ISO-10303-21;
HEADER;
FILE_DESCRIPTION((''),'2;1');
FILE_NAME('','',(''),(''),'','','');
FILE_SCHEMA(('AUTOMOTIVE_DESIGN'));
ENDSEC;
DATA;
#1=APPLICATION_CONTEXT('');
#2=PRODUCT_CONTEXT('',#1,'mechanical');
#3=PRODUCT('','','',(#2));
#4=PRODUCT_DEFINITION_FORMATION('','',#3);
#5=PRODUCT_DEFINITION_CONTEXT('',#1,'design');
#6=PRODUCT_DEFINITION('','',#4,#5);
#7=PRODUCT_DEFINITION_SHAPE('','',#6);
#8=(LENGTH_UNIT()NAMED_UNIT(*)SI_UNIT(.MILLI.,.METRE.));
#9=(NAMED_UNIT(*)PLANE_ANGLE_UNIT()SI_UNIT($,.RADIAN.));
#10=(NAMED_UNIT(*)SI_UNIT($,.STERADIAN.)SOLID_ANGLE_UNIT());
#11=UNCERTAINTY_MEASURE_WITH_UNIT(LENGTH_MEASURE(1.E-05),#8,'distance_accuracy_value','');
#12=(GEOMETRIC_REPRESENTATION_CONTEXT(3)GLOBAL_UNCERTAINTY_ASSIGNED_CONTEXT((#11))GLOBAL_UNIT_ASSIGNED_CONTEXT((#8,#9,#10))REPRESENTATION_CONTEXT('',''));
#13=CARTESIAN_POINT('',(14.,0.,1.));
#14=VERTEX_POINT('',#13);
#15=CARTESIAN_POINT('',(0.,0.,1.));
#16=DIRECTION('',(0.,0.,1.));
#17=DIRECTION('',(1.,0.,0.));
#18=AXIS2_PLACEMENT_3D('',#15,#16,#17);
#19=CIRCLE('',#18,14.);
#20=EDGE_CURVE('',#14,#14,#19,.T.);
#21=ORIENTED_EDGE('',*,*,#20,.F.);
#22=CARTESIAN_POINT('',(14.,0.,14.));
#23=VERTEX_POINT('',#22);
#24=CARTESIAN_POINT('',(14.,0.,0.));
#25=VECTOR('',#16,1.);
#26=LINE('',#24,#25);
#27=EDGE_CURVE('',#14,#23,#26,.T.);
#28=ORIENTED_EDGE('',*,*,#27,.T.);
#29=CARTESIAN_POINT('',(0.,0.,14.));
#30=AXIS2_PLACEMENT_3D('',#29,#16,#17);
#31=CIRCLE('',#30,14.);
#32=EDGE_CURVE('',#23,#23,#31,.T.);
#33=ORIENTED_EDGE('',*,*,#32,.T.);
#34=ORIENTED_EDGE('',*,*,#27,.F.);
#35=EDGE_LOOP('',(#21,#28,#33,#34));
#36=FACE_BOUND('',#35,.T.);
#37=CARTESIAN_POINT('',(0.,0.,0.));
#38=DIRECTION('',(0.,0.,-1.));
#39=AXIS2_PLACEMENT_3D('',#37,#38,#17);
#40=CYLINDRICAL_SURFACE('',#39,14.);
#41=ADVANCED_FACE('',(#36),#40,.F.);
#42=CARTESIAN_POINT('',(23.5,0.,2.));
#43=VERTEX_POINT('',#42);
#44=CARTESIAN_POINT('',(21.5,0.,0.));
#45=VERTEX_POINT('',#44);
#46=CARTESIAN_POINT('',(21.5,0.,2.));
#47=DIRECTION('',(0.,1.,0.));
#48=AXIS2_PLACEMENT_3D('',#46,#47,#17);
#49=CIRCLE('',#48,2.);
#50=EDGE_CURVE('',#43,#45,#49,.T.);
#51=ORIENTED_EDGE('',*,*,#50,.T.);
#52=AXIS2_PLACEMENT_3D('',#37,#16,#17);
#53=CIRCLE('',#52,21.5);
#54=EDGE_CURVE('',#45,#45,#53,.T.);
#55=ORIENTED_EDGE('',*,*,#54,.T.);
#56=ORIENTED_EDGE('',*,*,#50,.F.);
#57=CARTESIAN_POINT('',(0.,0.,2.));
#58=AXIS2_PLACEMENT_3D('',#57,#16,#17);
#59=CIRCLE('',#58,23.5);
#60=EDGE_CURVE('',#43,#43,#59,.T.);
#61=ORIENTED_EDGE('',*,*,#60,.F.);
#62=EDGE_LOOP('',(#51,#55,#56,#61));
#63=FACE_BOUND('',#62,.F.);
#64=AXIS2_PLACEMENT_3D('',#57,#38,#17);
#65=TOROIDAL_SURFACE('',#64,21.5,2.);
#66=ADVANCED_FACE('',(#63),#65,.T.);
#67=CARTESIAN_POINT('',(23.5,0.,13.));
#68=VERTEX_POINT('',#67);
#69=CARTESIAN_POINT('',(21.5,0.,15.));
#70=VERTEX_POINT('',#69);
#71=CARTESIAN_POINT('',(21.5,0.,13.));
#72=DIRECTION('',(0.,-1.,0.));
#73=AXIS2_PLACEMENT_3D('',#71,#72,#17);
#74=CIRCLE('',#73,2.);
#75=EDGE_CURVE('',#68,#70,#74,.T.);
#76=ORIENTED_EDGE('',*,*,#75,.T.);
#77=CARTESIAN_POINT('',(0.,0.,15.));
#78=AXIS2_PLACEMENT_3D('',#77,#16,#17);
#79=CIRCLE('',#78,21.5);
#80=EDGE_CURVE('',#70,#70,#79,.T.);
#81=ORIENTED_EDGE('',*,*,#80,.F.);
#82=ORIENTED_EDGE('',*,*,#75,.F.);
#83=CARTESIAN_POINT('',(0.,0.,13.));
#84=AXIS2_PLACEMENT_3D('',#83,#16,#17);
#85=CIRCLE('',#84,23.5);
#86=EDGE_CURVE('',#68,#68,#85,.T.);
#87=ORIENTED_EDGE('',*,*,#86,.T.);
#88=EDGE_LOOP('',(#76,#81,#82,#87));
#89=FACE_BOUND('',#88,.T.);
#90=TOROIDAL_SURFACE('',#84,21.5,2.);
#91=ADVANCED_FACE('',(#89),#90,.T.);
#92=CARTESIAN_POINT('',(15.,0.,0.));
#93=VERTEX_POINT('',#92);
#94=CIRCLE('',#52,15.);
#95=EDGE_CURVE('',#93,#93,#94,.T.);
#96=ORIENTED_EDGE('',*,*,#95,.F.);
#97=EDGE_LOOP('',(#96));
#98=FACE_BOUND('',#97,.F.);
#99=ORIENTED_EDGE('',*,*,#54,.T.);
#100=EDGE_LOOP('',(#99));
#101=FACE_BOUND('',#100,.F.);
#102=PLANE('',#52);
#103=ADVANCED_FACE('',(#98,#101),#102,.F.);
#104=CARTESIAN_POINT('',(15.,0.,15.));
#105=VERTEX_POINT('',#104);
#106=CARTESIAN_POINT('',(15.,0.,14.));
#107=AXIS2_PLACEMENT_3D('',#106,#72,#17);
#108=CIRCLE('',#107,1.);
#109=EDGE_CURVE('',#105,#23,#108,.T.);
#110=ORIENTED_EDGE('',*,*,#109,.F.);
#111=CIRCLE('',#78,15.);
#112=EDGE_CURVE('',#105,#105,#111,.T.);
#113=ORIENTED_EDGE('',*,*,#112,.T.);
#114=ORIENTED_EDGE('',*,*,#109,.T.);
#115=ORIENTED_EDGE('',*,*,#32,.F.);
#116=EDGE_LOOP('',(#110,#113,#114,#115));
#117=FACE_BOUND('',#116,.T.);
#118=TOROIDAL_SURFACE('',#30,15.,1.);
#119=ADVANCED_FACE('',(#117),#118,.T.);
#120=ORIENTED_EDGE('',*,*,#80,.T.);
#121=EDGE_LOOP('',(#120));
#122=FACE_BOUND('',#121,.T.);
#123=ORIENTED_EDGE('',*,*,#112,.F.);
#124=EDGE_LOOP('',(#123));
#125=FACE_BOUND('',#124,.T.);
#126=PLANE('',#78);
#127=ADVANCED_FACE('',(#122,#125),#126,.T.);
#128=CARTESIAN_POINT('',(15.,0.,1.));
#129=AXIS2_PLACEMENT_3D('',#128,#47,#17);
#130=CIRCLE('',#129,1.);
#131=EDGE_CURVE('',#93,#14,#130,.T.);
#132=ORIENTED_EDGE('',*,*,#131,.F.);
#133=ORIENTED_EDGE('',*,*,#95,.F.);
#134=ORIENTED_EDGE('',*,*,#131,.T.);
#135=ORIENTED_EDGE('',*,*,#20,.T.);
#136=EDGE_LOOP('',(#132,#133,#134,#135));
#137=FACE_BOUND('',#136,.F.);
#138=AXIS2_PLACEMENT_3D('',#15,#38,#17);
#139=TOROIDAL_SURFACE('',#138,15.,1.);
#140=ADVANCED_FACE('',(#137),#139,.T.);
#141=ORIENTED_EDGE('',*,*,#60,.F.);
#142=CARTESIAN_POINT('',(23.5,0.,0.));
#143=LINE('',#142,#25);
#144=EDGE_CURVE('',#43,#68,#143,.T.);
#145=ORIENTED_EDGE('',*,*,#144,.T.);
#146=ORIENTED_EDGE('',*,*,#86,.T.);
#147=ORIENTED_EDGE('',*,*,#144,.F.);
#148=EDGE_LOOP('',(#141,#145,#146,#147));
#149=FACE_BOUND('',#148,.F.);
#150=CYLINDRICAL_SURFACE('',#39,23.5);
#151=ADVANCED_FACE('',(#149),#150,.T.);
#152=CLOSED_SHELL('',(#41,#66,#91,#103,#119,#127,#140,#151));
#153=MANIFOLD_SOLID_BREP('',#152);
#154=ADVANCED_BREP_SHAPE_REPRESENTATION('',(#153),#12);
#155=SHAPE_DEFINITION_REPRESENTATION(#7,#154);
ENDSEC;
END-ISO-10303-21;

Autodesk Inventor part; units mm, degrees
ref_plane "YZ Plane" through (0, 0, 0) normal (1, 0, 0) x (0, 1, 0)
ref_plane "XZ Plane" through (0, 0, 0) normal (0, 1, 0) x (-1, 0, 0)
ref_plane "XY Plane" through (0, 0, 0) normal (0, 0, 1) x (1, 0, 0)
sketch "Sketch1" plane through (0, 0, 0) normal (0, 0, 1) x (1, 0, 0)
  circle A0 centre (0, 0) radius 14
  circle A1 centre (0, 0) radius 23.5
  dimension "d0" = 28
  dimension "d1" = 47
extrude "Extrusion1" add sketch "Sketch1" along normal blind 15
fillet "Fillet1" radius 2 2 edges at (-23.5, 0, 15) (-23.5, 0, 0)
fillet "Fillet2" radius 1 2 edges at (-14, 0, 0) (-14, 0, 15)
properties part number "U51105" material "Steel, Carbon"
